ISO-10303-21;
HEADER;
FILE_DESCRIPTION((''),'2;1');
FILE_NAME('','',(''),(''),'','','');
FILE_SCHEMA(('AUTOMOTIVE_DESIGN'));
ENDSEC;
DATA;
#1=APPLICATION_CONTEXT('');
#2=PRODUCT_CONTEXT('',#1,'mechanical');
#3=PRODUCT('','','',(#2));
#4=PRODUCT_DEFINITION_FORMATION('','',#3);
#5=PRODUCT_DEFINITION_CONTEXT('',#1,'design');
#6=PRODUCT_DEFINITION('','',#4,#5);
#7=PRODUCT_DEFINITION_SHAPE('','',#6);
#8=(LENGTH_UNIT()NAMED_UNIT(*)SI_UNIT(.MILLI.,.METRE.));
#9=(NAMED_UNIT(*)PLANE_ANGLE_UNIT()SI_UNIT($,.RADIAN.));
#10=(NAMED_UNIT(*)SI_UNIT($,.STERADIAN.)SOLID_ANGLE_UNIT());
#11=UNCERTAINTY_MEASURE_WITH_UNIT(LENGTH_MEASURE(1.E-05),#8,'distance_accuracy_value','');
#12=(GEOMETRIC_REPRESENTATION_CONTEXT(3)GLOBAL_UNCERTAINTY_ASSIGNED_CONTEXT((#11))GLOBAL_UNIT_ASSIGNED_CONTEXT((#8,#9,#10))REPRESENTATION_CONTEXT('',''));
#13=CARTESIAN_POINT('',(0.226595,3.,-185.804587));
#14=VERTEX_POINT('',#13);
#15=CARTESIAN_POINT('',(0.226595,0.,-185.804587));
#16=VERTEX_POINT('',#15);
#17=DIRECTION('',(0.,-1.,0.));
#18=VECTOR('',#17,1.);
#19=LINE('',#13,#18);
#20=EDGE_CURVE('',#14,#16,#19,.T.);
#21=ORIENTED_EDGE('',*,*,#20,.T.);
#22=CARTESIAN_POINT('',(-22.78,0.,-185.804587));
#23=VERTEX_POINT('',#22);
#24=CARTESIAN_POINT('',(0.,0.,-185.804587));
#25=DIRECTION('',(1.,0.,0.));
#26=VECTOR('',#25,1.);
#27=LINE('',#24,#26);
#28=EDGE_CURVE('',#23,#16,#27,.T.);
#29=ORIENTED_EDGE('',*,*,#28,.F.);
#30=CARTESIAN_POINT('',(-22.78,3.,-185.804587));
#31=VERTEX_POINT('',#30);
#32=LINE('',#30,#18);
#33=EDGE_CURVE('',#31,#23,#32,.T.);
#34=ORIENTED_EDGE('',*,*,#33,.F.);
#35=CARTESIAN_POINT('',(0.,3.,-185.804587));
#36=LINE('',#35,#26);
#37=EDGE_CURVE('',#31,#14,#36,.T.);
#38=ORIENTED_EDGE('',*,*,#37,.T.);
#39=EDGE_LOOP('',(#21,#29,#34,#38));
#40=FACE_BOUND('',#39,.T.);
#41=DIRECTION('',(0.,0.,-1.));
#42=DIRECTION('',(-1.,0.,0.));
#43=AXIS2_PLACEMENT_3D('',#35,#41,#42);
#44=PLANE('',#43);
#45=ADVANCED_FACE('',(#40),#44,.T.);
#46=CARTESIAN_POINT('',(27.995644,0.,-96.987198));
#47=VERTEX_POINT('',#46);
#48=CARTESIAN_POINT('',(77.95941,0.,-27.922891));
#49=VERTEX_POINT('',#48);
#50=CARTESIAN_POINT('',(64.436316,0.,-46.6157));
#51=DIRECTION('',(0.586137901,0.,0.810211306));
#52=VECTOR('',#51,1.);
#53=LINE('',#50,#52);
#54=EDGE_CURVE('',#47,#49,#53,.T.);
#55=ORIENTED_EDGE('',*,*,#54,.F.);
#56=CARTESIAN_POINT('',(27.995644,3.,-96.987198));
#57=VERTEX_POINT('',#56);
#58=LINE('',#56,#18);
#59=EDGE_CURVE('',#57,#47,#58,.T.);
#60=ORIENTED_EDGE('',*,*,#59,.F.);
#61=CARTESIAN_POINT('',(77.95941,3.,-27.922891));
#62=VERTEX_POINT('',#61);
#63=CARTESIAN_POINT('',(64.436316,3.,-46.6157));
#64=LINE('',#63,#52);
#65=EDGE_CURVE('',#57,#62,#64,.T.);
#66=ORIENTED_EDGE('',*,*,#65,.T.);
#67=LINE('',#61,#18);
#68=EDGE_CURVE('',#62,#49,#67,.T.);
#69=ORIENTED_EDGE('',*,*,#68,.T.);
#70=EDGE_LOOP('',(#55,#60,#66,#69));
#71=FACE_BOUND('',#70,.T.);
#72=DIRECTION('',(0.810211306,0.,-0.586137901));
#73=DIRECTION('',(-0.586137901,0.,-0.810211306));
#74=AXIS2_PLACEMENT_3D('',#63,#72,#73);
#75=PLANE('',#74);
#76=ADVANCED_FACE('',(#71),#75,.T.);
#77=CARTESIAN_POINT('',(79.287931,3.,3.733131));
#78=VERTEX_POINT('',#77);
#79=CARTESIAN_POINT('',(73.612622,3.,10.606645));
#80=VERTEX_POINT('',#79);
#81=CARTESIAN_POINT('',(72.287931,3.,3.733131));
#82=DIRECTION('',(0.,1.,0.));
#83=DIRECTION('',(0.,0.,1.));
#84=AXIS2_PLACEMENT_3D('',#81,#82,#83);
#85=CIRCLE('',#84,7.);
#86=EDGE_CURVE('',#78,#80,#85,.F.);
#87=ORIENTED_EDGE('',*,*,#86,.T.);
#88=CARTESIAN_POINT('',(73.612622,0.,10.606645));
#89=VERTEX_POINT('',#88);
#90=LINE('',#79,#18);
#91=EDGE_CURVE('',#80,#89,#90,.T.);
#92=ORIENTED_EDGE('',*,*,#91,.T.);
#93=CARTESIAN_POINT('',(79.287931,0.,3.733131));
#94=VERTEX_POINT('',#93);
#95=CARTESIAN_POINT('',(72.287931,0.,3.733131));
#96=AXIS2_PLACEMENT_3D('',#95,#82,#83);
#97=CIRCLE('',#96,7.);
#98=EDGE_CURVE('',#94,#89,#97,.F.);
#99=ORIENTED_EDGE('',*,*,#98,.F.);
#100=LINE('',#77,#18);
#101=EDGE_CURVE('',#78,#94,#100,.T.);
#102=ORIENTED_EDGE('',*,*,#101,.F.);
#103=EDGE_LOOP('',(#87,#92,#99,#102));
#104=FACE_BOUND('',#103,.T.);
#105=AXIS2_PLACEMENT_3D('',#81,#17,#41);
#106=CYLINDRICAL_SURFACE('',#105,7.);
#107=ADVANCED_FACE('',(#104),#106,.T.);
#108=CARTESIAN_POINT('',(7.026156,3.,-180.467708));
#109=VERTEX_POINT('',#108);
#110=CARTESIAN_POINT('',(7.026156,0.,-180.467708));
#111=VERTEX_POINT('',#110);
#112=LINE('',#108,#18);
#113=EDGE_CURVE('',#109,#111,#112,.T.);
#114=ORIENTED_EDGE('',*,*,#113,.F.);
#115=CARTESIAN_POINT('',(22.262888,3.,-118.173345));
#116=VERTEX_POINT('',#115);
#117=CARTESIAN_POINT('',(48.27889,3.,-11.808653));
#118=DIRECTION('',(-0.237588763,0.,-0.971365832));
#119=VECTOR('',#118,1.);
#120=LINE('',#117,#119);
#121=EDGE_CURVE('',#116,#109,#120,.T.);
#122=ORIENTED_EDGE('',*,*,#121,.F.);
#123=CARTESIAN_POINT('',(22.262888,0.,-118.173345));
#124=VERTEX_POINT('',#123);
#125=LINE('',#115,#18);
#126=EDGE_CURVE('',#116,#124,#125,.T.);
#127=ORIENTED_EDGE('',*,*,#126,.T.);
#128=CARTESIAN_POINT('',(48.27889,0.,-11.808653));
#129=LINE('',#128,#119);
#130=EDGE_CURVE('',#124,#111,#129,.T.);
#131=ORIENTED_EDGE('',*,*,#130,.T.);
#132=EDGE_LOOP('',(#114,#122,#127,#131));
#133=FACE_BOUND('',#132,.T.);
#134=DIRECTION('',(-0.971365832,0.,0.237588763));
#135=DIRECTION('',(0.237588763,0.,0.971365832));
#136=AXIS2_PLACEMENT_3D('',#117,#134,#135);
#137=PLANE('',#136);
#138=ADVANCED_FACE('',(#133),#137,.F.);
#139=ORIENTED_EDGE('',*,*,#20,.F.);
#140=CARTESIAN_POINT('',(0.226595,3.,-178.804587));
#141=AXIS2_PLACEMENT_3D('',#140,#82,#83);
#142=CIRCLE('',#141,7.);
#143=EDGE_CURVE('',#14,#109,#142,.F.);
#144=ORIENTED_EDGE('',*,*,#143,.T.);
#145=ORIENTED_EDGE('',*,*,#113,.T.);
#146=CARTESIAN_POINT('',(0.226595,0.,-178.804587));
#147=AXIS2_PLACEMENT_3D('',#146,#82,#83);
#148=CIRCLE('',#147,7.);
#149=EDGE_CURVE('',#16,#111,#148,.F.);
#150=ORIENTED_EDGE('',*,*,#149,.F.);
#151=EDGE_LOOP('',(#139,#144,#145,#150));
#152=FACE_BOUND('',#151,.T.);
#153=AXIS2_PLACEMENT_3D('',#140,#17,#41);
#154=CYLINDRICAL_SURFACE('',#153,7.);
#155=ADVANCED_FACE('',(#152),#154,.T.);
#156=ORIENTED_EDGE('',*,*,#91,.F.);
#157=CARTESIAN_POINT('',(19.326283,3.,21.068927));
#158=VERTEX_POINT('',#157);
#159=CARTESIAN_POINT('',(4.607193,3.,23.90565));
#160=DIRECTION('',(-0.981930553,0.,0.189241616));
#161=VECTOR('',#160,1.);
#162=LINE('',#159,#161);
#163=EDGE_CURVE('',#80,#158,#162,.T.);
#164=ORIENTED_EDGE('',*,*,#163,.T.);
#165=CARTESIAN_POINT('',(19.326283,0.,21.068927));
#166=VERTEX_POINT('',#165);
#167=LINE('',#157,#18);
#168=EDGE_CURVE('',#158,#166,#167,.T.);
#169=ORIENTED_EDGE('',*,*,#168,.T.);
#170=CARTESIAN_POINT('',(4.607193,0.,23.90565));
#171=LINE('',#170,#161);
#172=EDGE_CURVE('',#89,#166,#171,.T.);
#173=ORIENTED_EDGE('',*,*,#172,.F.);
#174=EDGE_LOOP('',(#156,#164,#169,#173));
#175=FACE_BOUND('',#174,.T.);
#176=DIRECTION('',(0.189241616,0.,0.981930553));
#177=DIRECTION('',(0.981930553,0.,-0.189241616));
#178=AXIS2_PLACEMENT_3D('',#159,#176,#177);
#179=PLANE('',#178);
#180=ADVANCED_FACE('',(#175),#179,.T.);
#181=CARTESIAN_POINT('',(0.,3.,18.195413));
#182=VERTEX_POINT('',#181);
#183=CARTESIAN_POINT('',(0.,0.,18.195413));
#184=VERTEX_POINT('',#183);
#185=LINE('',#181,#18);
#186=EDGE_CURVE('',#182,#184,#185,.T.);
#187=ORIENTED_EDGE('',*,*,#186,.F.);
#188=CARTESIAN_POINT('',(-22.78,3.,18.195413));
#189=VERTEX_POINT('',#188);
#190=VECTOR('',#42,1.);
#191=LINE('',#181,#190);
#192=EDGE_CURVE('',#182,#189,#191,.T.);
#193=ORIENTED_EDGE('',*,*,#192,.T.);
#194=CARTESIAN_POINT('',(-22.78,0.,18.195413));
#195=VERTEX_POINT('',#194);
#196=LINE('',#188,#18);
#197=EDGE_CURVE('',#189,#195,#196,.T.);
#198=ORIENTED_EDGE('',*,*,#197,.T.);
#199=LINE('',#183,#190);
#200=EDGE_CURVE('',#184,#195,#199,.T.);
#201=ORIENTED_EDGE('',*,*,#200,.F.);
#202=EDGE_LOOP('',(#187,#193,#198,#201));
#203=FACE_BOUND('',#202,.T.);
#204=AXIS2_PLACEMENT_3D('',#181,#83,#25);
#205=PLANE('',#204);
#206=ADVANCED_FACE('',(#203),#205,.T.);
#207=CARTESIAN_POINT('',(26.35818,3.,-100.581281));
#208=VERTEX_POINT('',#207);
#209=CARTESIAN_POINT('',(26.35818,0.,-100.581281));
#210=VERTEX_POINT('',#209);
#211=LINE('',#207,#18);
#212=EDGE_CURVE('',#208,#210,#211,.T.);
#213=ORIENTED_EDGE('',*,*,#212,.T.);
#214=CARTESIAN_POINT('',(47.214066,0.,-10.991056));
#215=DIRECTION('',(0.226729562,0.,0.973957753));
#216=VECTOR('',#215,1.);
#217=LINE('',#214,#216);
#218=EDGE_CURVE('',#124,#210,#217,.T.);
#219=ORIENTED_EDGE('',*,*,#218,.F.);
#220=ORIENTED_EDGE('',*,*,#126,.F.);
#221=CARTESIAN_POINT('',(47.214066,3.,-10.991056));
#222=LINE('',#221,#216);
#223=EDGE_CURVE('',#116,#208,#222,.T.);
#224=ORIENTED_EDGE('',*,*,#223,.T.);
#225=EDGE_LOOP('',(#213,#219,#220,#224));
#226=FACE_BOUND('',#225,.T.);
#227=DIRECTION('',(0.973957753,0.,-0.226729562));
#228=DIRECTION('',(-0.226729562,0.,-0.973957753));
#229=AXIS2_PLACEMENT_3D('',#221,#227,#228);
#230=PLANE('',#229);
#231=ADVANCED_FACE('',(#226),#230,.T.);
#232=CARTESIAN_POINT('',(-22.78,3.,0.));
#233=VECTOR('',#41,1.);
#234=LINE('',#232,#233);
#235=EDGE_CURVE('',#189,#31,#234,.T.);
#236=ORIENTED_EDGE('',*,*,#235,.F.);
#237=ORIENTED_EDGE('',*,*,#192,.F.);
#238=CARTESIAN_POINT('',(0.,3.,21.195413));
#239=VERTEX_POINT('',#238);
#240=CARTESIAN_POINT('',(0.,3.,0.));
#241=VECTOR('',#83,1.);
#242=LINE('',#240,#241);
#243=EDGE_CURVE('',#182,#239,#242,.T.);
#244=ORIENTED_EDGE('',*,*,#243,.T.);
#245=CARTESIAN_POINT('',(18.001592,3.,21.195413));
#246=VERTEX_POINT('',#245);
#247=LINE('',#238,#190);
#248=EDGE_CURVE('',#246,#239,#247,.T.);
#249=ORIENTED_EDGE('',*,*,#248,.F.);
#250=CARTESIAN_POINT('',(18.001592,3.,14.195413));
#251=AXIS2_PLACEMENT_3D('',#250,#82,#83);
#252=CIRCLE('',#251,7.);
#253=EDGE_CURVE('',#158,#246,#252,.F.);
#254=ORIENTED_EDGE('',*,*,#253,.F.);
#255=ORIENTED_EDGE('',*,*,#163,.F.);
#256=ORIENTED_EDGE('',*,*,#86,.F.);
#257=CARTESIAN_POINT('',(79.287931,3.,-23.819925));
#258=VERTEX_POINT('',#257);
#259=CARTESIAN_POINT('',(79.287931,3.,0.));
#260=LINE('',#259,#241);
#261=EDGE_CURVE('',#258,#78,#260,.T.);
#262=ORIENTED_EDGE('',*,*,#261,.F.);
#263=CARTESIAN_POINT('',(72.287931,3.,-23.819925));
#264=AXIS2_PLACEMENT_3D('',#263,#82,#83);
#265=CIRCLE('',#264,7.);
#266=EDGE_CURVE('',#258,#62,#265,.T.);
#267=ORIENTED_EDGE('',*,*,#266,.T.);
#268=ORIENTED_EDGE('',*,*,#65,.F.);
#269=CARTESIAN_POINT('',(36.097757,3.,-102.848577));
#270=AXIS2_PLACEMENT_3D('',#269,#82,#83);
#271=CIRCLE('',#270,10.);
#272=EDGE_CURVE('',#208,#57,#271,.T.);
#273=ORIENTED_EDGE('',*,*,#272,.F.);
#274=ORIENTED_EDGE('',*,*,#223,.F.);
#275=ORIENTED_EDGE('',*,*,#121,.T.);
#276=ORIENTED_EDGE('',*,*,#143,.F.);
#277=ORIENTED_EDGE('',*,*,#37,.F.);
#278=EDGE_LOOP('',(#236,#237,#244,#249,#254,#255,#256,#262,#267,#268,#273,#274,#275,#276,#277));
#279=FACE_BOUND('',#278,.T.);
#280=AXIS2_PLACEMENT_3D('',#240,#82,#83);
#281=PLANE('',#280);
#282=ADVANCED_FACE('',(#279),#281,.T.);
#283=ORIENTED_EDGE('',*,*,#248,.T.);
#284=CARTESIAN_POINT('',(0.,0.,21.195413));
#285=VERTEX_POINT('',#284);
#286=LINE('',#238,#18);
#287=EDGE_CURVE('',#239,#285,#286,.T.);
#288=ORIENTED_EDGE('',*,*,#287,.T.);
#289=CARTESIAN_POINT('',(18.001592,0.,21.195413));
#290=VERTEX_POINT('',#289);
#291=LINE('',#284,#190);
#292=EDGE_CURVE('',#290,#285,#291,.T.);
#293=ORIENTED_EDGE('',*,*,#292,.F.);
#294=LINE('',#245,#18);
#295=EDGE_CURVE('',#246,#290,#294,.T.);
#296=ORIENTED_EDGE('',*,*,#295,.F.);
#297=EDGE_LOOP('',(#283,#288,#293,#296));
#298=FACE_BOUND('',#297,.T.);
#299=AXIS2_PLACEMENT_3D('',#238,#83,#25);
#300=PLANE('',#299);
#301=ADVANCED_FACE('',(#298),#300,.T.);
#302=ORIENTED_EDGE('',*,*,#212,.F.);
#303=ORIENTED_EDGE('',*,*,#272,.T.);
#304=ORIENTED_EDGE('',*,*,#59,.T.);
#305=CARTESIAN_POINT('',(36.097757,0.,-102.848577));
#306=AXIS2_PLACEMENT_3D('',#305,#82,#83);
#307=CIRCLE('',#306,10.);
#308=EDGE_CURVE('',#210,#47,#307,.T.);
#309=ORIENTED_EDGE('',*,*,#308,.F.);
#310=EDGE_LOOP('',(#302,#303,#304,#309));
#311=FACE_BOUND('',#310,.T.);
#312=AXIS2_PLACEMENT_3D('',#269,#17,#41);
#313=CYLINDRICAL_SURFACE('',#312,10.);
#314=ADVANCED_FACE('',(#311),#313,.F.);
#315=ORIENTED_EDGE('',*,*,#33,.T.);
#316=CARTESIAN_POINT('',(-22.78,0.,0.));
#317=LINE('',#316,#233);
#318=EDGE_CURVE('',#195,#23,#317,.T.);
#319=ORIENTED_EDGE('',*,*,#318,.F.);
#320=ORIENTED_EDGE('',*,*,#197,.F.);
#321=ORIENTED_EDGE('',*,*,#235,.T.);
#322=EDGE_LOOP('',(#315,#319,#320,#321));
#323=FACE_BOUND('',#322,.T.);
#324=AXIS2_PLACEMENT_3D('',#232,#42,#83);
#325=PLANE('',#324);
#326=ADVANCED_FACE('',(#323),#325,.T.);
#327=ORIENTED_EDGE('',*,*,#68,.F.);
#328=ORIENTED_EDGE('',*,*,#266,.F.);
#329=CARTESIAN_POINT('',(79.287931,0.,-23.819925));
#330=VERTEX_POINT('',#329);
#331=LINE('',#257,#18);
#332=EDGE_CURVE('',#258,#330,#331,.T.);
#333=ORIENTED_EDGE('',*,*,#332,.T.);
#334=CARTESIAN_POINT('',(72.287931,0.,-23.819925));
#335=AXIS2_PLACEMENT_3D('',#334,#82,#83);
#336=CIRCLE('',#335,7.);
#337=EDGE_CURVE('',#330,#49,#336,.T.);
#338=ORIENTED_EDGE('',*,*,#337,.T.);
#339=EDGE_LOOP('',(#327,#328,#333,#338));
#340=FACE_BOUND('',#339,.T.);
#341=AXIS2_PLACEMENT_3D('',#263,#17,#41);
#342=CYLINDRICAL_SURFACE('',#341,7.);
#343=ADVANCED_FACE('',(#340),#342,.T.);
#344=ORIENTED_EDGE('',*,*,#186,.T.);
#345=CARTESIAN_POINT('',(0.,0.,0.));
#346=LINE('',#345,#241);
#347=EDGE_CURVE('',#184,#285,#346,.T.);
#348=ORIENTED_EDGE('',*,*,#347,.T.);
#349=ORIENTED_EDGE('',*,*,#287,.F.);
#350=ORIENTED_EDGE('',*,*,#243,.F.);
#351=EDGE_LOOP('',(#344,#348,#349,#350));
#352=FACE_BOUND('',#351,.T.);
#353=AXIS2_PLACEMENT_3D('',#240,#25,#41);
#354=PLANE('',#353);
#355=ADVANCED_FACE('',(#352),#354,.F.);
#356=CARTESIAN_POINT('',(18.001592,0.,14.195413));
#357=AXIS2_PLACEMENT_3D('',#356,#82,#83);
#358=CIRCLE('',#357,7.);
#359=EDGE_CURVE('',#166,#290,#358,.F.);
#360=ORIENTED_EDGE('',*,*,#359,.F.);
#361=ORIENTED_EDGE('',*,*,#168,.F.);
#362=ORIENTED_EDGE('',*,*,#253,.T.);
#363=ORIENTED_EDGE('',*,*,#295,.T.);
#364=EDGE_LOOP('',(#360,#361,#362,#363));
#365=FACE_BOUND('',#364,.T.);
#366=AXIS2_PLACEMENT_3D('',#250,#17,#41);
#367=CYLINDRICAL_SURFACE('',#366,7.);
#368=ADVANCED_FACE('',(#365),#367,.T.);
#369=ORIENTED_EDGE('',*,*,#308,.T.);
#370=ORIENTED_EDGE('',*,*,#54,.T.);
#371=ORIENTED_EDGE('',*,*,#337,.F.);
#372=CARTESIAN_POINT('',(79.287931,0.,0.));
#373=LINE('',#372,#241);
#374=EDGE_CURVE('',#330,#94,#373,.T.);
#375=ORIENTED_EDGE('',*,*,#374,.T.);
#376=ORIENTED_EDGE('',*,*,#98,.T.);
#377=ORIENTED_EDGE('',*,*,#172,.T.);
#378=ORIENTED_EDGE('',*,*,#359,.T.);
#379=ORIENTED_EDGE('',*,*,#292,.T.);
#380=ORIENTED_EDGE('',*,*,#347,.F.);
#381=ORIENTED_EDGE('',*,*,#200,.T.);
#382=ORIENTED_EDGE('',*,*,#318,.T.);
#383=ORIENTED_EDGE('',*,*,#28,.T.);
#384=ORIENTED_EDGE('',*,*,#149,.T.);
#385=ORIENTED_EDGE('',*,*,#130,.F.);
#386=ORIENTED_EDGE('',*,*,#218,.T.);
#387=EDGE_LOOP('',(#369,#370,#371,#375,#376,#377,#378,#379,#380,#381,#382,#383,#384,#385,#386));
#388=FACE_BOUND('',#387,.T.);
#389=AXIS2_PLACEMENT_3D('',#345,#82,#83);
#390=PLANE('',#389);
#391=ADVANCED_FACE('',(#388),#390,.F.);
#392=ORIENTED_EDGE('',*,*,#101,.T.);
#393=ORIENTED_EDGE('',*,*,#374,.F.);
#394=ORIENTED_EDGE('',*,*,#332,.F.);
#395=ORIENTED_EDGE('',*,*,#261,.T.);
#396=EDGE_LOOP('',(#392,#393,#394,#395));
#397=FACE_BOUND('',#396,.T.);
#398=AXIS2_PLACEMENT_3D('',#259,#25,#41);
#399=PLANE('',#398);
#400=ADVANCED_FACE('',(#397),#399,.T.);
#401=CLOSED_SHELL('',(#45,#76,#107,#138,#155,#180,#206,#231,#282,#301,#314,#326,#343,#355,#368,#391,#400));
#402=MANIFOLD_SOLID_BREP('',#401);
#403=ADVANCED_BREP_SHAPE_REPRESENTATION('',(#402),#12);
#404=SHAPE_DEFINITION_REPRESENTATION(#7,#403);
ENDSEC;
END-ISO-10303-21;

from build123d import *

# Parameters (mm, degrees)
SALIENTE_EXTRUIR1_DEPTH = 3


with BuildPart() as part:
    # Croquis1 → Saliente-Extruir1 (new body)
    with BuildSketch(Plane(origin=(0, 0, 0), x_dir=(1, 0, 0), z_dir=(0, 1, 0))):
        with BuildLine():
            Line((0.226595449, 185.804586765), (-22.78, 185.804586765))
            Line((-22.78, 185.804586765), (-22.78, -18.195413235))
            Line((-22.78, -18.195413235), (0, -18.195413235))
            Line((0, -18.195413235), (0, -21.195413235))
            Line((0, -21.195413235), (18.001591933, -21.195413235))
            ThreePointArc((18.001591933, -21.195413235), (18.666950073, -21.163719955), (19.326283246, -21.068927105))
            Line((19.326283246, -21.068927105), (73.612622199, -10.606644927))
            ThreePointArc((73.612622199, -10.606644927), (77.685747073, -8.18998874), (79.287930885, -3.733131057))
            Line((79.287930885, -3.733131057), (79.287930885, 23.819925262))
            ThreePointArc((79.287930885, 23.819925262), (78.94752374, 25.976270087), (77.959410027, 27.922890572))
            Line((77.959410027, 27.922890572), (27.995644059, 96.987197766))
            ThreePointArc((27.995644059, 96.987197766), (26.997710984, 98.702595555), (26.358179585, 100.581281157))
            Line((26.358179585, 100.581281157), (22.262888034, 118.173345099))
            Line((22.262888034, 118.173345099), (7.026156274, 180.467708103))
            ThreePointArc((7.026156274, 180.467708103), (4.548525031, 184.311030689), (0.226595449, 185.804586765))
        make_face()
    extrude(amount=SALIENTE_EXTRUIR1_DEPTH)


solid = part.part
